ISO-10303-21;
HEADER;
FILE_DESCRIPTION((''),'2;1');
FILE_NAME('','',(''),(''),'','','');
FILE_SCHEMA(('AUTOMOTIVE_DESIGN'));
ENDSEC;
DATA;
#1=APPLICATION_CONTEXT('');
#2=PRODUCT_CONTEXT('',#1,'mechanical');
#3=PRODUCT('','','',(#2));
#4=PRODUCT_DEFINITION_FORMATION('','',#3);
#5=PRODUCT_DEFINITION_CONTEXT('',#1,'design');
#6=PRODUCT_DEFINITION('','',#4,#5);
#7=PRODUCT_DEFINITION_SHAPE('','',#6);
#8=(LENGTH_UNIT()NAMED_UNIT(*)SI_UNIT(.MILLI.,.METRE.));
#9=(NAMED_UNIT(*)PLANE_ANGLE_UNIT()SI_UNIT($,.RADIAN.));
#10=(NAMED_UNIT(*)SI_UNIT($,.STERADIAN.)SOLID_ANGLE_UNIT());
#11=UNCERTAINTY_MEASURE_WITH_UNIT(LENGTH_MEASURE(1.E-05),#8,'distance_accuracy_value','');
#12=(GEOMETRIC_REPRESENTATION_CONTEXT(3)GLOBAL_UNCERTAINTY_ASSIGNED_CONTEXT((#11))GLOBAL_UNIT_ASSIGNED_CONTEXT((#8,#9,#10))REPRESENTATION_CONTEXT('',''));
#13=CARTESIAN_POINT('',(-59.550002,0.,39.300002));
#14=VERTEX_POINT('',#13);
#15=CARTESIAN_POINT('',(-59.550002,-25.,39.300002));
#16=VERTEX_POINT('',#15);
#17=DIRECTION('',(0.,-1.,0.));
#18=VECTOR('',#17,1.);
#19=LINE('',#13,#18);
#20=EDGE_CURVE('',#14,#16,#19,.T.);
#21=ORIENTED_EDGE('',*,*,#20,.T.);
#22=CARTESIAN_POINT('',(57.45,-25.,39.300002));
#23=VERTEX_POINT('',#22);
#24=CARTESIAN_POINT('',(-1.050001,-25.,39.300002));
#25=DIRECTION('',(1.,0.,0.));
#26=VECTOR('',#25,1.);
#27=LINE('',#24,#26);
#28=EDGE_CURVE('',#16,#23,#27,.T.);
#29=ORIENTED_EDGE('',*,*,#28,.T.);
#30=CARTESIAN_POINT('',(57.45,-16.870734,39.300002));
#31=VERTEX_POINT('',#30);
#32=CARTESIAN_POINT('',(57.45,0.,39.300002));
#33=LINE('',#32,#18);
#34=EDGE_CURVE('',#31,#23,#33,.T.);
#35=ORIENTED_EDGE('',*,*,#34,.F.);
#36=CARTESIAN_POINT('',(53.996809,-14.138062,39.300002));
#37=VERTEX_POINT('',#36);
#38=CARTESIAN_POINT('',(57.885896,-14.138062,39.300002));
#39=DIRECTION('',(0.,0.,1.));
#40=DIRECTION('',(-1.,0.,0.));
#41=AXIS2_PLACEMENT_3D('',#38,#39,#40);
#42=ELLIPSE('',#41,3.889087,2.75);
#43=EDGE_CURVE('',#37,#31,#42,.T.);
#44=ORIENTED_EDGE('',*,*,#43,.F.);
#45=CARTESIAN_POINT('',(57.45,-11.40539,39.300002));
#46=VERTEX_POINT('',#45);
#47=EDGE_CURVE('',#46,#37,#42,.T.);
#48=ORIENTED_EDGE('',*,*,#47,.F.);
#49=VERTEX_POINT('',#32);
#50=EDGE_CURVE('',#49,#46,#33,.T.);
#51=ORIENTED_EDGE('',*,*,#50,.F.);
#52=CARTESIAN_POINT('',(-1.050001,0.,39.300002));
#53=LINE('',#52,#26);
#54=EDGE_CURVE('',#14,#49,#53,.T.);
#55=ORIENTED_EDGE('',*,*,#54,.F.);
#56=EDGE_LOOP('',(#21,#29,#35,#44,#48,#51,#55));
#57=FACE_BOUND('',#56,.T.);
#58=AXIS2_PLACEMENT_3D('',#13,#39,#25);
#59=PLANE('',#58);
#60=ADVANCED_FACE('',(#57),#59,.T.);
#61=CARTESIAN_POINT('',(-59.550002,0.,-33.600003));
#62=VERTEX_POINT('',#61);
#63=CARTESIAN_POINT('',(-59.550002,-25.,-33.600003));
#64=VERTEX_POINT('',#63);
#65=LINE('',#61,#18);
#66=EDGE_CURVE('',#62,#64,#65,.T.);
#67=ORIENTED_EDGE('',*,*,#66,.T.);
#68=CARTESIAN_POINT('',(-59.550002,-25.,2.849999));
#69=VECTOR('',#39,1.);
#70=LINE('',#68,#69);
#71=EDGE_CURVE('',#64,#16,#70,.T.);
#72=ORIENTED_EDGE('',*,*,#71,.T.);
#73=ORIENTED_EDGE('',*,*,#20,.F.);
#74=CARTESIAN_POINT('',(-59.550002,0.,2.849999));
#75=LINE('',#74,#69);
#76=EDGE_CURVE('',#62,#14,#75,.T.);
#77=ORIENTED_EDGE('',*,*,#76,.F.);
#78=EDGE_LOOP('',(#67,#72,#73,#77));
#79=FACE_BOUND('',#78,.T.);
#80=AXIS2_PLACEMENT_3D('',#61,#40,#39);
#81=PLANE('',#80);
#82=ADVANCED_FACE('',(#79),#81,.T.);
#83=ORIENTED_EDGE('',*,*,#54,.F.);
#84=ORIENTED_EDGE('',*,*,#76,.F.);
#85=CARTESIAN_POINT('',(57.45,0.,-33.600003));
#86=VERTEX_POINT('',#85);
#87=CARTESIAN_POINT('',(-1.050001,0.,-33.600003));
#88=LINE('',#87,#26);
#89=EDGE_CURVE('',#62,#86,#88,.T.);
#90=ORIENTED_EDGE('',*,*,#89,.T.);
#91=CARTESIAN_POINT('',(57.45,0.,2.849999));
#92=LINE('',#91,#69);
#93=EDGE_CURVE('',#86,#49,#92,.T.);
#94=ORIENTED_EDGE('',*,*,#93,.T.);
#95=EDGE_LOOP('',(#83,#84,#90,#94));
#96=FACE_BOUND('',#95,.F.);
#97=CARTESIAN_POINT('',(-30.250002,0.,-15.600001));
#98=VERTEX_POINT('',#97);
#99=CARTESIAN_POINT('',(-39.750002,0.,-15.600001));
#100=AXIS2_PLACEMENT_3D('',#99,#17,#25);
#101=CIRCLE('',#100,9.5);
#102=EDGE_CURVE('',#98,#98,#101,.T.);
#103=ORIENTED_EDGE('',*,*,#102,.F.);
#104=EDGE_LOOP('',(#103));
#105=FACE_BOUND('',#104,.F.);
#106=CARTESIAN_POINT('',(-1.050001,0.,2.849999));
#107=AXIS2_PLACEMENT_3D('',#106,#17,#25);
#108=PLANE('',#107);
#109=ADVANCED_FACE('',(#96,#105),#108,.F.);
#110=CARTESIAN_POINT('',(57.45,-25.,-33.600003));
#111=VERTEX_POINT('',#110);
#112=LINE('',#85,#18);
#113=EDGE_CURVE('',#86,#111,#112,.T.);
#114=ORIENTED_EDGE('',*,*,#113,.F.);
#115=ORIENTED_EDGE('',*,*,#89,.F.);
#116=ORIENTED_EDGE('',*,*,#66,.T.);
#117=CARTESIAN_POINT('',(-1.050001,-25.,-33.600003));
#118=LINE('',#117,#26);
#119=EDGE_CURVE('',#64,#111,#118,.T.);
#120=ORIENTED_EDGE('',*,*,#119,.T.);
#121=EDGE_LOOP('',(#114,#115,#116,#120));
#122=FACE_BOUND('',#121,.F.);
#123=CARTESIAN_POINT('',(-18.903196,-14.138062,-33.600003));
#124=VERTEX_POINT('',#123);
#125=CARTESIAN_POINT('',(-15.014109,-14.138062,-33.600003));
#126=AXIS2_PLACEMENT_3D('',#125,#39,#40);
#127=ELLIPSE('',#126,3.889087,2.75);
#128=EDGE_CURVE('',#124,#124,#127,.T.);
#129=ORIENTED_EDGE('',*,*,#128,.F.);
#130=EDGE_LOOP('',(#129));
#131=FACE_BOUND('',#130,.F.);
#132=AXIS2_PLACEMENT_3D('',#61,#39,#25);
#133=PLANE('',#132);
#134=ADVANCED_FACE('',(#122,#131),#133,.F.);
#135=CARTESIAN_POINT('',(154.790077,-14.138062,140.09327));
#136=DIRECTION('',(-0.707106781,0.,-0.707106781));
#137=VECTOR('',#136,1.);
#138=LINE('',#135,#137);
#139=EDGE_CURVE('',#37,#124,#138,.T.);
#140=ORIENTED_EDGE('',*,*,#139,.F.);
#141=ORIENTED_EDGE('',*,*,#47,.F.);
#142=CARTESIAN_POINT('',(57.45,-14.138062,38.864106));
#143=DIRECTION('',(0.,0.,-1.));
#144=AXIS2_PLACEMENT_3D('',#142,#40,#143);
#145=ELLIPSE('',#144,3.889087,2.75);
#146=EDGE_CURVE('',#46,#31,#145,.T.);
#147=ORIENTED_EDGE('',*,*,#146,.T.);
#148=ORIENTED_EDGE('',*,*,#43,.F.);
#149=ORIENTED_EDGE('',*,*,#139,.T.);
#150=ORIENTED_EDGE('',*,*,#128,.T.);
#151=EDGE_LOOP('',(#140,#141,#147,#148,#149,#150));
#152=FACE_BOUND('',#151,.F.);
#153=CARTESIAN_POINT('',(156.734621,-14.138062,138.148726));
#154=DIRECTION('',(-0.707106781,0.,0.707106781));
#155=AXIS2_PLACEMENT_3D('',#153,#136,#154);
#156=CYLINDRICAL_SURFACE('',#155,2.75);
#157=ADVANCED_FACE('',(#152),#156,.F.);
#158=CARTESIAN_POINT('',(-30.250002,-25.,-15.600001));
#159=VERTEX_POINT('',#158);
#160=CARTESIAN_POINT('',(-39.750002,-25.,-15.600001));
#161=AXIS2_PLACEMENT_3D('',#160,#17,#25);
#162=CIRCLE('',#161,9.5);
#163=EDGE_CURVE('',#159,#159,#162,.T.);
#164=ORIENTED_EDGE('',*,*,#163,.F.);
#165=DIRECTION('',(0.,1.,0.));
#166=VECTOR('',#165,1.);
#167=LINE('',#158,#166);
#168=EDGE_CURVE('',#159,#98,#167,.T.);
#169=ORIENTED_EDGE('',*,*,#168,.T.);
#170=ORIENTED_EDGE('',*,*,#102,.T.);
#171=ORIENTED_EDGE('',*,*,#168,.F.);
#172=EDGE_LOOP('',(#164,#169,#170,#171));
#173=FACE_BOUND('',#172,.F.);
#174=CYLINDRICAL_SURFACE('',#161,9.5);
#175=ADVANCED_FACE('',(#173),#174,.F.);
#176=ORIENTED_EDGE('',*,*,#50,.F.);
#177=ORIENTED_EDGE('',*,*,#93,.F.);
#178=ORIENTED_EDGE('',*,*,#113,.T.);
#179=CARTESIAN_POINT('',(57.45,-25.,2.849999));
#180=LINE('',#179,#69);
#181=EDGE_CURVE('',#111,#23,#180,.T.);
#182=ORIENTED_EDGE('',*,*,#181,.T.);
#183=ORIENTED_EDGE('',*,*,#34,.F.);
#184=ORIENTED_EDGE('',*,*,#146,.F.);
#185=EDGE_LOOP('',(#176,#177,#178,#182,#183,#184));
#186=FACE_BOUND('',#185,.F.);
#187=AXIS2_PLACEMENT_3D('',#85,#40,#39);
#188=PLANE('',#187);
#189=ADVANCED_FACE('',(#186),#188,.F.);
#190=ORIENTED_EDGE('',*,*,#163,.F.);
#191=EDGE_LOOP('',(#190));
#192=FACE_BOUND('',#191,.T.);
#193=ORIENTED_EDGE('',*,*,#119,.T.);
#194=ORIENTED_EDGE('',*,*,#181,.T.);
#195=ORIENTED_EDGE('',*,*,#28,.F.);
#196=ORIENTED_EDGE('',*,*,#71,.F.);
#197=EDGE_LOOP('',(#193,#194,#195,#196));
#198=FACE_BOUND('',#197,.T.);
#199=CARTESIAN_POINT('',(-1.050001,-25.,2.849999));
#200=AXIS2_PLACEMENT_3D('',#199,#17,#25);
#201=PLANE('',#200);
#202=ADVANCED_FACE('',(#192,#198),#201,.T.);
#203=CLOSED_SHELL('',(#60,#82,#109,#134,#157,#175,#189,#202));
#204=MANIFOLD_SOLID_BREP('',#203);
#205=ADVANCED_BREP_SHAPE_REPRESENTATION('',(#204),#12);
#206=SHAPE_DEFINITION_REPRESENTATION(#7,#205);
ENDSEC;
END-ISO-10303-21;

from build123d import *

# Parameters (mm, degrees)
F0_W     = 117.000002
F0_H     = 72.900005
F1_DEPTH = 25
F4_D     = 5.5
F5_R     = 9.5
F6_DEPTH = 40


with BuildPart() as f1:
    # F0 (on Front) → F1 (new body)
    with BuildSketch(Plane.XZ):
        with Locations((-1.050001, 2.849999)):
            Rectangle(F0_W, F0_H)
    extrude(amount=F1_DEPTH)

    # F4 (through all)
    with Locations(Plane(origin=(48.375001, 0, 48.375001), x_dir=(0.707107, 0, -0.707107), z_dir=(0.707107, 0, 0.707107))):
        with Locations((13.142212, -14.138062)):
            Hole(F4_D / 2)

    # F5 (on face) → F6 (cut)
    with BuildSketch(Plane.XZ.offset(25)):
        with Locations((-39.750002, -15.600001)):
            Circle(F5_R)
    extrude(amount=-F6_DEPTH, mode=Mode.SUBTRACT)


solid = f1.part
